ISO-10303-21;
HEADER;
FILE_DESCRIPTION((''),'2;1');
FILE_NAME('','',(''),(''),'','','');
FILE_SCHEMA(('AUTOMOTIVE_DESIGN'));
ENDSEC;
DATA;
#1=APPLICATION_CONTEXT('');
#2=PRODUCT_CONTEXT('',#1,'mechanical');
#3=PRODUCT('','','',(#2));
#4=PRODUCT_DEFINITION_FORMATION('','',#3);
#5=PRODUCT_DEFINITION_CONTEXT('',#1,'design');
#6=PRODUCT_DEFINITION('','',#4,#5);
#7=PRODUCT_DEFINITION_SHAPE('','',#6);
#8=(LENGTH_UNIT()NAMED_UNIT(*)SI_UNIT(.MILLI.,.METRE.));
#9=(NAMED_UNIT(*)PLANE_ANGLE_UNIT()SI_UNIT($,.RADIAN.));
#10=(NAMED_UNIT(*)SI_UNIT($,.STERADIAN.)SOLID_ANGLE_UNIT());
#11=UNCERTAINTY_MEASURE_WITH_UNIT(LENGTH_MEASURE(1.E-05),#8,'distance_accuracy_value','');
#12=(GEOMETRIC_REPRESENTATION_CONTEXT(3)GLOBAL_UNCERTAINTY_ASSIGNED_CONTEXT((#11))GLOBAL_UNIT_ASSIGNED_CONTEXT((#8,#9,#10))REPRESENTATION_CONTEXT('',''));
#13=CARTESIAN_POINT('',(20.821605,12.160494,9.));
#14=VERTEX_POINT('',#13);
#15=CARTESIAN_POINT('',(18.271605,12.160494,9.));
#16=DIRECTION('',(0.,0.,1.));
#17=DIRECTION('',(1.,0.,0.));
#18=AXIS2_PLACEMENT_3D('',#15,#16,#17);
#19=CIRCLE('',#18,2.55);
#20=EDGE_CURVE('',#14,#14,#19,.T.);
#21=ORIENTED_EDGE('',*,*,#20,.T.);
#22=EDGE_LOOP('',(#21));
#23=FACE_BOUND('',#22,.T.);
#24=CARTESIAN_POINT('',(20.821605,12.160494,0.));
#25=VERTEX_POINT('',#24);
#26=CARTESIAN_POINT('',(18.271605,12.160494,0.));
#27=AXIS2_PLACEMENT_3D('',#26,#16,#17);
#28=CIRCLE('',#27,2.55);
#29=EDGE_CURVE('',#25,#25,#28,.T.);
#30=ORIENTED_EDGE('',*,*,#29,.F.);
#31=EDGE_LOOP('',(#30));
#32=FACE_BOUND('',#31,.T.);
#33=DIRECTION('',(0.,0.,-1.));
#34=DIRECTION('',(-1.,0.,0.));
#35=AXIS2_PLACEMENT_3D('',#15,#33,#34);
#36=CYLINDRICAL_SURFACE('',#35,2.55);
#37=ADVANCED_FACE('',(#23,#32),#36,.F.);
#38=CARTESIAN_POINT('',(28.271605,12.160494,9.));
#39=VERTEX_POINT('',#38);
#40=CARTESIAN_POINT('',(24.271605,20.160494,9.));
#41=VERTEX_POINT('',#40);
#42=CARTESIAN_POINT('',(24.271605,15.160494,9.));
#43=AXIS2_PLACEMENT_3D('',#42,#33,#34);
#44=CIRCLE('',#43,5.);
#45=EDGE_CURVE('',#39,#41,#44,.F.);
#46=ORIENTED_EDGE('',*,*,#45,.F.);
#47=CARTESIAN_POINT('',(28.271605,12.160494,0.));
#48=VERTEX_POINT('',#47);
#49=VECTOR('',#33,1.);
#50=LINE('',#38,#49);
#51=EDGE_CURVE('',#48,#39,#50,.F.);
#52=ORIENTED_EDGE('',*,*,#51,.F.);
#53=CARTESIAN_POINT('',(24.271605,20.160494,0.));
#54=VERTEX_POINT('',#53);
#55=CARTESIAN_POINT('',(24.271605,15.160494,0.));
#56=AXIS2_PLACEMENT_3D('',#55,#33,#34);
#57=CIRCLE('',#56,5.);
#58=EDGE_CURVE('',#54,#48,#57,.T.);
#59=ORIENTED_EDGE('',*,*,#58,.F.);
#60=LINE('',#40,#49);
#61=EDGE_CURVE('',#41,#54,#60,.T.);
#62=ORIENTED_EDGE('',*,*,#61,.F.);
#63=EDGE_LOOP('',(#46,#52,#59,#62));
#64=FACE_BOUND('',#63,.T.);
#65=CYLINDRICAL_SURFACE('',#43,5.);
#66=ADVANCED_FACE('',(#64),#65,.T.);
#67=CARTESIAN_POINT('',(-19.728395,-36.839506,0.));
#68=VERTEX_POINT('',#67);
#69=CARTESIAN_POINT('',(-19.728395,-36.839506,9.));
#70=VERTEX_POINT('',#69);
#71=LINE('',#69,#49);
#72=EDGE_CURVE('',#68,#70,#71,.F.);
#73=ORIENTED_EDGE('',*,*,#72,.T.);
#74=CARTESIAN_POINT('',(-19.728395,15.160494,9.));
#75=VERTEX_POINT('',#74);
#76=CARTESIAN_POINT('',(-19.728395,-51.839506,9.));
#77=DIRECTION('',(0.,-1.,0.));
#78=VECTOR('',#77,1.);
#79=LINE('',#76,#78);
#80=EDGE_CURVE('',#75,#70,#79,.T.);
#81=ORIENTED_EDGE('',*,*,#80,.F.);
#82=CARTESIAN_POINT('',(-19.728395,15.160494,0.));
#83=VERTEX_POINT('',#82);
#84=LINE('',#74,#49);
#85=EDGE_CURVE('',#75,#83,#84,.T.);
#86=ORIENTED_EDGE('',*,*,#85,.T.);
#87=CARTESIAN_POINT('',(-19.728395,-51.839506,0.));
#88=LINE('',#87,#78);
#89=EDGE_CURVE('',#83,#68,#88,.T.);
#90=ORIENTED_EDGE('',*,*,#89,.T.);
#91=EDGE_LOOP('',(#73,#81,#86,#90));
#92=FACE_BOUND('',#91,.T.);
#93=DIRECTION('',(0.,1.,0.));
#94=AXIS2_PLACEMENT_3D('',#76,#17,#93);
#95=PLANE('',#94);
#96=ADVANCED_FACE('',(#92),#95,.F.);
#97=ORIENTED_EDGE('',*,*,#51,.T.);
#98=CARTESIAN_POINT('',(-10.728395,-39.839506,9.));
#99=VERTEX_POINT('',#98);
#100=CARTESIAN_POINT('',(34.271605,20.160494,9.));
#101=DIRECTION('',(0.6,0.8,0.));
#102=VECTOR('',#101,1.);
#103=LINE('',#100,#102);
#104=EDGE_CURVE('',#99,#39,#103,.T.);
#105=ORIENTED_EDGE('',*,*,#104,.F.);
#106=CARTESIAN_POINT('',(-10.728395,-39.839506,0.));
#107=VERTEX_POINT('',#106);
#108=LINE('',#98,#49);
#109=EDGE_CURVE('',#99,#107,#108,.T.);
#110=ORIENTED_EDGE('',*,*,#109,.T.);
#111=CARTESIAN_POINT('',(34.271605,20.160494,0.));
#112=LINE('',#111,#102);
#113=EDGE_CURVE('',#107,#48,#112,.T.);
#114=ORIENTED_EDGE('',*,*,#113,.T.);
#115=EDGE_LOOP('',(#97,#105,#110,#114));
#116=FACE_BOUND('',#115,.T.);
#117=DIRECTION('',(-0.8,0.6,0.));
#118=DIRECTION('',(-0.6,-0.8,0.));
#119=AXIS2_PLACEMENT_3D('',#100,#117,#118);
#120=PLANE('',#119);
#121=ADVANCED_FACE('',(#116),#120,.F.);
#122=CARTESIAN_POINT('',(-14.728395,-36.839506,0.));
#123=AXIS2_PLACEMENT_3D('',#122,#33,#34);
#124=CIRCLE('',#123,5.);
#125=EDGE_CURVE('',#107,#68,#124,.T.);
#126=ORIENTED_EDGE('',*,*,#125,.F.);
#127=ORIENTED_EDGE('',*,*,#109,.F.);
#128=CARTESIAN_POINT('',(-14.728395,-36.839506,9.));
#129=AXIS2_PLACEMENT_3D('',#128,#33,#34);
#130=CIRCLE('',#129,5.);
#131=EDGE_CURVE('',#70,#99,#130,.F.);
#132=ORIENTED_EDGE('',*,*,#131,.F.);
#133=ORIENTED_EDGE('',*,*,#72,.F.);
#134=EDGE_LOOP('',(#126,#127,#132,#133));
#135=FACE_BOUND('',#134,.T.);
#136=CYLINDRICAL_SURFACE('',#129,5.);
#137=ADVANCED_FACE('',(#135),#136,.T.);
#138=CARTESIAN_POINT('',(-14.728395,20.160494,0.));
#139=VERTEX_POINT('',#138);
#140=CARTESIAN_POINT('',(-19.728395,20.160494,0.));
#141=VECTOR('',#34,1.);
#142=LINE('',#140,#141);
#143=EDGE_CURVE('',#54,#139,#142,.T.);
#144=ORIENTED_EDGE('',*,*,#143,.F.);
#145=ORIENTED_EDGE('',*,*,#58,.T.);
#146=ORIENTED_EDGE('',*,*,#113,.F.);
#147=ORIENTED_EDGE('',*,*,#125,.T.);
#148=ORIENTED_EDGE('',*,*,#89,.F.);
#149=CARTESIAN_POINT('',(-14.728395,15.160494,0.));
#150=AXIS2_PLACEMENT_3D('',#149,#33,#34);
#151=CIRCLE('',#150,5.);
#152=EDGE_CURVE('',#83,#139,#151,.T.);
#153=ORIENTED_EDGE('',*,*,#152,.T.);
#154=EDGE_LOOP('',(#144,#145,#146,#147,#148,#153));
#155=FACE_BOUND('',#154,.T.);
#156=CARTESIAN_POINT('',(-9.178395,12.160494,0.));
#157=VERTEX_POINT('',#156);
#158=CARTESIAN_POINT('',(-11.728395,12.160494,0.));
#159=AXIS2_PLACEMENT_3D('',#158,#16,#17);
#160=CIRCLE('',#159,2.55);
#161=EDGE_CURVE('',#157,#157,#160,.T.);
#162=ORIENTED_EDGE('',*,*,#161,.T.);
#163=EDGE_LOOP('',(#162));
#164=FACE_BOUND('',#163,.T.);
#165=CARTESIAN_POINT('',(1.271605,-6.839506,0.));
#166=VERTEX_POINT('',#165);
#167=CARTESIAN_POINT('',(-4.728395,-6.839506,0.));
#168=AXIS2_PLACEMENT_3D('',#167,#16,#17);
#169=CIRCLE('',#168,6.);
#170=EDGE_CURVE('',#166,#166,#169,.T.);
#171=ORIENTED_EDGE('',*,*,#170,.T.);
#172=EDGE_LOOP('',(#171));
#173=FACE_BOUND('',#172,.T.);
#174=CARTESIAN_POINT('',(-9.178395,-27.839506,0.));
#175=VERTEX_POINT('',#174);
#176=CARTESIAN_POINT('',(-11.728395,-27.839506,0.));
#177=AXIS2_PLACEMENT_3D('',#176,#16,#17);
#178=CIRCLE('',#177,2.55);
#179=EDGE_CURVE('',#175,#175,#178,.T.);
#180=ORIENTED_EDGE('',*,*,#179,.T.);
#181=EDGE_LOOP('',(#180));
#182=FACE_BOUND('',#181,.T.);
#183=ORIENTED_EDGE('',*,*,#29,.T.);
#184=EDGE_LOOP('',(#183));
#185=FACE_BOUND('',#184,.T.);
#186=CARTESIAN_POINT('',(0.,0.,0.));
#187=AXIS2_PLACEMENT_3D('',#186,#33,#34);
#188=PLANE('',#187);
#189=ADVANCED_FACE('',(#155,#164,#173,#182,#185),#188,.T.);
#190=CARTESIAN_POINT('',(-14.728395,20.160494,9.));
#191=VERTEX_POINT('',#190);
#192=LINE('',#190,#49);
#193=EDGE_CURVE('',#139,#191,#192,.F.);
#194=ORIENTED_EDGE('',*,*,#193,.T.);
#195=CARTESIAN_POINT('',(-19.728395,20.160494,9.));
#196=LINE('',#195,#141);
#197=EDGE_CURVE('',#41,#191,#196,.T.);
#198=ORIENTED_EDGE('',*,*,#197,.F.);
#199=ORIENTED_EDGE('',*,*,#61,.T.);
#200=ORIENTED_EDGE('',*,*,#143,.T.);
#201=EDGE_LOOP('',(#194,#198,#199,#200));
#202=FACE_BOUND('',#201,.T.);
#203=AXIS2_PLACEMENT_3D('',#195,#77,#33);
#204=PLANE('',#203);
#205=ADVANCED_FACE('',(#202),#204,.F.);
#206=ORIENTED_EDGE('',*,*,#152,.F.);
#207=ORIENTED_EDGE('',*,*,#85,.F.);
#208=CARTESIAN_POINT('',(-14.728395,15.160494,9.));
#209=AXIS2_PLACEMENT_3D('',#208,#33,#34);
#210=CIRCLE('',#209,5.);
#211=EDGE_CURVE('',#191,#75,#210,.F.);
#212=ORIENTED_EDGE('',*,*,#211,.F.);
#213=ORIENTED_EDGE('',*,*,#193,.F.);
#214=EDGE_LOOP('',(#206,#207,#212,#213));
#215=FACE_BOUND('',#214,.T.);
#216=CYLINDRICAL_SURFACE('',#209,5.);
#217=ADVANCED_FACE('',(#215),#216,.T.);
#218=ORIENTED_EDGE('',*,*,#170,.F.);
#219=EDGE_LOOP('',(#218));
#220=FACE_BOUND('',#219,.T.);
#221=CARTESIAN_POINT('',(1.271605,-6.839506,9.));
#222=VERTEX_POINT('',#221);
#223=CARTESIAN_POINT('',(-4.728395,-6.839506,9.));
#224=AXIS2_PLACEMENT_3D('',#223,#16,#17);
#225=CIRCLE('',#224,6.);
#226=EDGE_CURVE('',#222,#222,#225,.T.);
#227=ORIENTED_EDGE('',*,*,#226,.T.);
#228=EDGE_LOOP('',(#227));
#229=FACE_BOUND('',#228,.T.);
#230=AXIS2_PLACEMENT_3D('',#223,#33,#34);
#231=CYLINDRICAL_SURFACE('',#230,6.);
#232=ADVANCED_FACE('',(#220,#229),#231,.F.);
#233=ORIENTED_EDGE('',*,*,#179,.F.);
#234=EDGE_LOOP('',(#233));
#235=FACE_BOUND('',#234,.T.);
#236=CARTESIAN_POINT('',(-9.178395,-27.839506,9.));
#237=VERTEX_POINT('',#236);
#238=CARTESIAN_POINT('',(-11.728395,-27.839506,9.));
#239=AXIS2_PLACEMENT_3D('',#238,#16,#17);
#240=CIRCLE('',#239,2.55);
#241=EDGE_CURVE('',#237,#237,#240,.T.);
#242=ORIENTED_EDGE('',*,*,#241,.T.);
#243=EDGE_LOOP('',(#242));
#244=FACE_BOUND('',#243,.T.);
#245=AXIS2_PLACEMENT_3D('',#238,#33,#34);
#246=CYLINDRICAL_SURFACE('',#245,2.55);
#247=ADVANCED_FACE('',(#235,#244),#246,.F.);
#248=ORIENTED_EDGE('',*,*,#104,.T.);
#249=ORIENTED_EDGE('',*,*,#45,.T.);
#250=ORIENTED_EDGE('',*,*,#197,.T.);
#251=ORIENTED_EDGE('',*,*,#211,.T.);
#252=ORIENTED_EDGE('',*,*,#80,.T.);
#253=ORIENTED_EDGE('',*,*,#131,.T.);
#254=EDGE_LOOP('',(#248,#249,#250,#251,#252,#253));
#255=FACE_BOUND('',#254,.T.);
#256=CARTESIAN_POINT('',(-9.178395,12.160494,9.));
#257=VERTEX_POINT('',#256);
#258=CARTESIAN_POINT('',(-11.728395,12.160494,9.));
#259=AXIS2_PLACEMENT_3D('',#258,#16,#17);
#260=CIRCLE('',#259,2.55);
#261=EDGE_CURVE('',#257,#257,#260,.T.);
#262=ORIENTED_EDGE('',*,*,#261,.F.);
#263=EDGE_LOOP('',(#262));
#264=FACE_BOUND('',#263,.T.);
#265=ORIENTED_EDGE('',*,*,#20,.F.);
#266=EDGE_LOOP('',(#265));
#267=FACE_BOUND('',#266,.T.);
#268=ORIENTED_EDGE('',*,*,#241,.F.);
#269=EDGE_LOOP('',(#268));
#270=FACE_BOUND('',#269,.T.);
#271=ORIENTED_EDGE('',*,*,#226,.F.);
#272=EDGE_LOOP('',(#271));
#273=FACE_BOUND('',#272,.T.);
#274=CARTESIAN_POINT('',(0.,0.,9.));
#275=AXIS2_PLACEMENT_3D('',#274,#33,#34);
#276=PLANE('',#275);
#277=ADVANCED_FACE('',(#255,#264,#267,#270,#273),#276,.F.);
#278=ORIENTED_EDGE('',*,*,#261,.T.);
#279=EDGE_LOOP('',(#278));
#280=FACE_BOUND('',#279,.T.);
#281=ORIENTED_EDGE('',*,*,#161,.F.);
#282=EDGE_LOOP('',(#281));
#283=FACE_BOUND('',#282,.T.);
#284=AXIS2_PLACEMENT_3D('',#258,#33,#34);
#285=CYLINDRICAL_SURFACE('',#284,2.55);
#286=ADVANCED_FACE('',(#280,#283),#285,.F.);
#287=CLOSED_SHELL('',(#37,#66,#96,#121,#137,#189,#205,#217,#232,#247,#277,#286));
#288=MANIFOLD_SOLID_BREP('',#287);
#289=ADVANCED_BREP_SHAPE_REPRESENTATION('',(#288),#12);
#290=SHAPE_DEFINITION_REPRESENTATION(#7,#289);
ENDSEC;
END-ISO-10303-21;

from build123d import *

# Parameters (mm, degrees)
SKETCH_1_R      = 2.55
SKETCH_1_R_2    = 6
EXTRUDE_1_DEPTH = 9
FILLET_1_R      = 5


with BuildPart() as part:
    # 草图1 → 凸台-拉伸1 (new body)
    with BuildSketch(Plane.XY):
        Polygon((-19.728395062, 20.160493827), (34.271604938, 20.160493827), (-19.728395062, -51.839506173), align=None)
        with Locations((-11.728395062, 12.160493827)):
            Circle(SKETCH_1_R, mode=Mode.SUBTRACT)
        with Locations((18.271604938, 12.160493827)):
            Circle(SKETCH_1_R, mode=Mode.SUBTRACT)
        with Locations((-11.728395062, -27.839506173)):
            Circle(SKETCH_1_R, mode=Mode.SUBTRACT)
        with Locations((-4.728395062, -6.839506173)):
            Circle(SKETCH_1_R_2, mode=Mode.SUBTRACT)
    extrude(amount=EXTRUDE_1_DEPTH)

    # 圆角1
    fillet_1_edges = [part.edges().sort_by_distance(p)[0] for p in [
        (-19.728395062, 20.160493827, 4.5),
        (34.271604938, 20.160493827, 4.5),
        (-19.728395062, -51.839506173, 4.5),
    ]]
    fillet(fillet_1_edges, radius=FILLET_1_R)


solid = part.part
